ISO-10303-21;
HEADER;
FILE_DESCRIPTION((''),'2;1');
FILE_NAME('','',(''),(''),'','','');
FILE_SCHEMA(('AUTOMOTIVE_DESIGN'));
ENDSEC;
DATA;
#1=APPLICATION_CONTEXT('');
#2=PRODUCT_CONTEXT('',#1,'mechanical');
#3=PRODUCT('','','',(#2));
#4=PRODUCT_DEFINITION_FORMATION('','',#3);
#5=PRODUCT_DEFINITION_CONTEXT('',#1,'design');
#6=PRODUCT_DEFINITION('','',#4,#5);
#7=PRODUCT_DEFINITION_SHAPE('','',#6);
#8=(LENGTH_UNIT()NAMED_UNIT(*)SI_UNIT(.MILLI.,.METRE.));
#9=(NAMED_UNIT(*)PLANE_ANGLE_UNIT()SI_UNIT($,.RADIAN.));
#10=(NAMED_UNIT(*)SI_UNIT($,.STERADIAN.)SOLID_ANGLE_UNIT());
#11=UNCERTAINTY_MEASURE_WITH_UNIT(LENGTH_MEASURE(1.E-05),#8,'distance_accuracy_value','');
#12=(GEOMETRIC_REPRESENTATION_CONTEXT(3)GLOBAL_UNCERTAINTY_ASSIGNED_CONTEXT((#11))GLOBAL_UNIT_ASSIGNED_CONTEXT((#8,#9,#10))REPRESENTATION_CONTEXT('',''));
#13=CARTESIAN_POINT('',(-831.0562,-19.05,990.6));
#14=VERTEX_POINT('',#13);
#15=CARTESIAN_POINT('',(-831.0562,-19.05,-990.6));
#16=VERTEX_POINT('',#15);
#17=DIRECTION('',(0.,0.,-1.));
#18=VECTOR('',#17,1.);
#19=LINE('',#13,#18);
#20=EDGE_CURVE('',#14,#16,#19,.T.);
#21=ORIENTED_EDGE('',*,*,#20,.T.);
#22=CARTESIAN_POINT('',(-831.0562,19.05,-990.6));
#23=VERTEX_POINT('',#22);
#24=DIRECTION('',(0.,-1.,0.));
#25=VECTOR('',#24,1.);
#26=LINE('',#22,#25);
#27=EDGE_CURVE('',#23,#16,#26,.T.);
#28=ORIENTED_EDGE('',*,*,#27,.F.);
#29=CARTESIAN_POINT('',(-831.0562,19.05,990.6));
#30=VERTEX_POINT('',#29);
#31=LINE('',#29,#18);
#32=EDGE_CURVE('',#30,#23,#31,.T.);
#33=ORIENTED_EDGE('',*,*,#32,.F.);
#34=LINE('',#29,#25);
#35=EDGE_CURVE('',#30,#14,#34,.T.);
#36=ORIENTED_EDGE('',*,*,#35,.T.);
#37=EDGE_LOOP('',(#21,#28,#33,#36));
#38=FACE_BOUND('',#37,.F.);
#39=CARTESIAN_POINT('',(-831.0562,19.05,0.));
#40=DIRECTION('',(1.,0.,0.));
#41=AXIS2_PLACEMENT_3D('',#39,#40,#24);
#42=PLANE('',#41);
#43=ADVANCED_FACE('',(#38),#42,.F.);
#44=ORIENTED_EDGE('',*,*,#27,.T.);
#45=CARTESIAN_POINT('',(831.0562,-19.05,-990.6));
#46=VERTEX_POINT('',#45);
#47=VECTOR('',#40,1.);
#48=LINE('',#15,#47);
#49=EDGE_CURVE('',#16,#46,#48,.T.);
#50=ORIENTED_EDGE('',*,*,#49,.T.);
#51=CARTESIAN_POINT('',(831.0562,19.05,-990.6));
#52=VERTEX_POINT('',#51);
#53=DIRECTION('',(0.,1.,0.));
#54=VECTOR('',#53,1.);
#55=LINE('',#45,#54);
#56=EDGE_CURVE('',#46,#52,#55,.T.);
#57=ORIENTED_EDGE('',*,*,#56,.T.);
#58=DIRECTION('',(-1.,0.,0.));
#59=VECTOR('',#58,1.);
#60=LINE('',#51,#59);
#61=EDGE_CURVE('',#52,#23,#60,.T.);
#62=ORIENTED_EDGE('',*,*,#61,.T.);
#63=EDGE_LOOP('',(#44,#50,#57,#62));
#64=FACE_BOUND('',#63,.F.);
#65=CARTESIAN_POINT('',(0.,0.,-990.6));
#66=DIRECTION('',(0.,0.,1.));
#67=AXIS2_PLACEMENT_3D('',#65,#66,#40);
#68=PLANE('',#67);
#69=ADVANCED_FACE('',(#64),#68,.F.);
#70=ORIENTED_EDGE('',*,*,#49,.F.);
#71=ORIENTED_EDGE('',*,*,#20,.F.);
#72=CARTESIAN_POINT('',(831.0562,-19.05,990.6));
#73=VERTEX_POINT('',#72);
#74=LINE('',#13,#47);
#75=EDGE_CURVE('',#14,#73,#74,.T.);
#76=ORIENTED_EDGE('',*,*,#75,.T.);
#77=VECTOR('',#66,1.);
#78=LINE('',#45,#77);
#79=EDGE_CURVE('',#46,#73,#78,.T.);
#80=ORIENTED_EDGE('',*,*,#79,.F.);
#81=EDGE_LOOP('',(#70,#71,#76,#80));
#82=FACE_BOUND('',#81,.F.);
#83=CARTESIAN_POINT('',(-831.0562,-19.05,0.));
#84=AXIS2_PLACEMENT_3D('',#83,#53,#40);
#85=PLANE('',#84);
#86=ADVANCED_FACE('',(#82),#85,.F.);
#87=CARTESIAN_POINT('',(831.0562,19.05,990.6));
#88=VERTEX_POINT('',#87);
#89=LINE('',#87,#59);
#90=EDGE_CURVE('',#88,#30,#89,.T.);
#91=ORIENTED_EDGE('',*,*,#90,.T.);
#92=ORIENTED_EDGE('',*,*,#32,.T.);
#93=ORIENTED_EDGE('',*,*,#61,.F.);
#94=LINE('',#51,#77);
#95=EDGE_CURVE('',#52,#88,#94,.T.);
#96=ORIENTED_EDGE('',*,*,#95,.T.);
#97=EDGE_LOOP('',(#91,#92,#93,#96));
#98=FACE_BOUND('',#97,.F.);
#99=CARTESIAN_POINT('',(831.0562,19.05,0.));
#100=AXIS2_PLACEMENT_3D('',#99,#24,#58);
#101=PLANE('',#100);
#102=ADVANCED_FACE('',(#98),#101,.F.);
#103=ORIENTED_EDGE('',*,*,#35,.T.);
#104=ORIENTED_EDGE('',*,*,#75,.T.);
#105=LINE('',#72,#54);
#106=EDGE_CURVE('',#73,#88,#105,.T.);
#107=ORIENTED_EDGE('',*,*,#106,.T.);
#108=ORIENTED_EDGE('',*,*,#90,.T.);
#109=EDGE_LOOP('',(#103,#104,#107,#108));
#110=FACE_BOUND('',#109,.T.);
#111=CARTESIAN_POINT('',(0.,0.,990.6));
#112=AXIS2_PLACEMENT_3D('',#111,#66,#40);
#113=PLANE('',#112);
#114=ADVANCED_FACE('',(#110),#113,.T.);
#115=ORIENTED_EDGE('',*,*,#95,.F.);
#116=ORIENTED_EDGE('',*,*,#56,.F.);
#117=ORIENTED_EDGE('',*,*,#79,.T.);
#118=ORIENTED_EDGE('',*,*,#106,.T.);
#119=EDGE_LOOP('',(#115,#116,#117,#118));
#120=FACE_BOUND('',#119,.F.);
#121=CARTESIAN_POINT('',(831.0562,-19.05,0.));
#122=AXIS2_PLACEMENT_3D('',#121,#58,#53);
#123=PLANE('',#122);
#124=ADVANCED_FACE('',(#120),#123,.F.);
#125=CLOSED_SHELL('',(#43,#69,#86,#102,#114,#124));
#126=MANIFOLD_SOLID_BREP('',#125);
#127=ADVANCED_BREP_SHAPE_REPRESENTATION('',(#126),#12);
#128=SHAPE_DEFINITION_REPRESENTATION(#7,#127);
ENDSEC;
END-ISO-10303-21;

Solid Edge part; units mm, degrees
sketch "Sketch1" plane through (0, 0, 0) normal (0, 0, 1) x (1, 0, 0)
  line L0 (-831.0562, -19.05) -> (831.0562, -19.05)
  line L1 (831.0562, -19.05) -> (831.0562, 19.05)
  line L2 (831.0562, 19.05) -> (-831.0562, 19.05)
  line L3 (-831.0562, 19.05) -> (-831.0562, -19.05)
extrude "Protrusion1" add sketch "Sketch1" along normal mid plane 1981.2
